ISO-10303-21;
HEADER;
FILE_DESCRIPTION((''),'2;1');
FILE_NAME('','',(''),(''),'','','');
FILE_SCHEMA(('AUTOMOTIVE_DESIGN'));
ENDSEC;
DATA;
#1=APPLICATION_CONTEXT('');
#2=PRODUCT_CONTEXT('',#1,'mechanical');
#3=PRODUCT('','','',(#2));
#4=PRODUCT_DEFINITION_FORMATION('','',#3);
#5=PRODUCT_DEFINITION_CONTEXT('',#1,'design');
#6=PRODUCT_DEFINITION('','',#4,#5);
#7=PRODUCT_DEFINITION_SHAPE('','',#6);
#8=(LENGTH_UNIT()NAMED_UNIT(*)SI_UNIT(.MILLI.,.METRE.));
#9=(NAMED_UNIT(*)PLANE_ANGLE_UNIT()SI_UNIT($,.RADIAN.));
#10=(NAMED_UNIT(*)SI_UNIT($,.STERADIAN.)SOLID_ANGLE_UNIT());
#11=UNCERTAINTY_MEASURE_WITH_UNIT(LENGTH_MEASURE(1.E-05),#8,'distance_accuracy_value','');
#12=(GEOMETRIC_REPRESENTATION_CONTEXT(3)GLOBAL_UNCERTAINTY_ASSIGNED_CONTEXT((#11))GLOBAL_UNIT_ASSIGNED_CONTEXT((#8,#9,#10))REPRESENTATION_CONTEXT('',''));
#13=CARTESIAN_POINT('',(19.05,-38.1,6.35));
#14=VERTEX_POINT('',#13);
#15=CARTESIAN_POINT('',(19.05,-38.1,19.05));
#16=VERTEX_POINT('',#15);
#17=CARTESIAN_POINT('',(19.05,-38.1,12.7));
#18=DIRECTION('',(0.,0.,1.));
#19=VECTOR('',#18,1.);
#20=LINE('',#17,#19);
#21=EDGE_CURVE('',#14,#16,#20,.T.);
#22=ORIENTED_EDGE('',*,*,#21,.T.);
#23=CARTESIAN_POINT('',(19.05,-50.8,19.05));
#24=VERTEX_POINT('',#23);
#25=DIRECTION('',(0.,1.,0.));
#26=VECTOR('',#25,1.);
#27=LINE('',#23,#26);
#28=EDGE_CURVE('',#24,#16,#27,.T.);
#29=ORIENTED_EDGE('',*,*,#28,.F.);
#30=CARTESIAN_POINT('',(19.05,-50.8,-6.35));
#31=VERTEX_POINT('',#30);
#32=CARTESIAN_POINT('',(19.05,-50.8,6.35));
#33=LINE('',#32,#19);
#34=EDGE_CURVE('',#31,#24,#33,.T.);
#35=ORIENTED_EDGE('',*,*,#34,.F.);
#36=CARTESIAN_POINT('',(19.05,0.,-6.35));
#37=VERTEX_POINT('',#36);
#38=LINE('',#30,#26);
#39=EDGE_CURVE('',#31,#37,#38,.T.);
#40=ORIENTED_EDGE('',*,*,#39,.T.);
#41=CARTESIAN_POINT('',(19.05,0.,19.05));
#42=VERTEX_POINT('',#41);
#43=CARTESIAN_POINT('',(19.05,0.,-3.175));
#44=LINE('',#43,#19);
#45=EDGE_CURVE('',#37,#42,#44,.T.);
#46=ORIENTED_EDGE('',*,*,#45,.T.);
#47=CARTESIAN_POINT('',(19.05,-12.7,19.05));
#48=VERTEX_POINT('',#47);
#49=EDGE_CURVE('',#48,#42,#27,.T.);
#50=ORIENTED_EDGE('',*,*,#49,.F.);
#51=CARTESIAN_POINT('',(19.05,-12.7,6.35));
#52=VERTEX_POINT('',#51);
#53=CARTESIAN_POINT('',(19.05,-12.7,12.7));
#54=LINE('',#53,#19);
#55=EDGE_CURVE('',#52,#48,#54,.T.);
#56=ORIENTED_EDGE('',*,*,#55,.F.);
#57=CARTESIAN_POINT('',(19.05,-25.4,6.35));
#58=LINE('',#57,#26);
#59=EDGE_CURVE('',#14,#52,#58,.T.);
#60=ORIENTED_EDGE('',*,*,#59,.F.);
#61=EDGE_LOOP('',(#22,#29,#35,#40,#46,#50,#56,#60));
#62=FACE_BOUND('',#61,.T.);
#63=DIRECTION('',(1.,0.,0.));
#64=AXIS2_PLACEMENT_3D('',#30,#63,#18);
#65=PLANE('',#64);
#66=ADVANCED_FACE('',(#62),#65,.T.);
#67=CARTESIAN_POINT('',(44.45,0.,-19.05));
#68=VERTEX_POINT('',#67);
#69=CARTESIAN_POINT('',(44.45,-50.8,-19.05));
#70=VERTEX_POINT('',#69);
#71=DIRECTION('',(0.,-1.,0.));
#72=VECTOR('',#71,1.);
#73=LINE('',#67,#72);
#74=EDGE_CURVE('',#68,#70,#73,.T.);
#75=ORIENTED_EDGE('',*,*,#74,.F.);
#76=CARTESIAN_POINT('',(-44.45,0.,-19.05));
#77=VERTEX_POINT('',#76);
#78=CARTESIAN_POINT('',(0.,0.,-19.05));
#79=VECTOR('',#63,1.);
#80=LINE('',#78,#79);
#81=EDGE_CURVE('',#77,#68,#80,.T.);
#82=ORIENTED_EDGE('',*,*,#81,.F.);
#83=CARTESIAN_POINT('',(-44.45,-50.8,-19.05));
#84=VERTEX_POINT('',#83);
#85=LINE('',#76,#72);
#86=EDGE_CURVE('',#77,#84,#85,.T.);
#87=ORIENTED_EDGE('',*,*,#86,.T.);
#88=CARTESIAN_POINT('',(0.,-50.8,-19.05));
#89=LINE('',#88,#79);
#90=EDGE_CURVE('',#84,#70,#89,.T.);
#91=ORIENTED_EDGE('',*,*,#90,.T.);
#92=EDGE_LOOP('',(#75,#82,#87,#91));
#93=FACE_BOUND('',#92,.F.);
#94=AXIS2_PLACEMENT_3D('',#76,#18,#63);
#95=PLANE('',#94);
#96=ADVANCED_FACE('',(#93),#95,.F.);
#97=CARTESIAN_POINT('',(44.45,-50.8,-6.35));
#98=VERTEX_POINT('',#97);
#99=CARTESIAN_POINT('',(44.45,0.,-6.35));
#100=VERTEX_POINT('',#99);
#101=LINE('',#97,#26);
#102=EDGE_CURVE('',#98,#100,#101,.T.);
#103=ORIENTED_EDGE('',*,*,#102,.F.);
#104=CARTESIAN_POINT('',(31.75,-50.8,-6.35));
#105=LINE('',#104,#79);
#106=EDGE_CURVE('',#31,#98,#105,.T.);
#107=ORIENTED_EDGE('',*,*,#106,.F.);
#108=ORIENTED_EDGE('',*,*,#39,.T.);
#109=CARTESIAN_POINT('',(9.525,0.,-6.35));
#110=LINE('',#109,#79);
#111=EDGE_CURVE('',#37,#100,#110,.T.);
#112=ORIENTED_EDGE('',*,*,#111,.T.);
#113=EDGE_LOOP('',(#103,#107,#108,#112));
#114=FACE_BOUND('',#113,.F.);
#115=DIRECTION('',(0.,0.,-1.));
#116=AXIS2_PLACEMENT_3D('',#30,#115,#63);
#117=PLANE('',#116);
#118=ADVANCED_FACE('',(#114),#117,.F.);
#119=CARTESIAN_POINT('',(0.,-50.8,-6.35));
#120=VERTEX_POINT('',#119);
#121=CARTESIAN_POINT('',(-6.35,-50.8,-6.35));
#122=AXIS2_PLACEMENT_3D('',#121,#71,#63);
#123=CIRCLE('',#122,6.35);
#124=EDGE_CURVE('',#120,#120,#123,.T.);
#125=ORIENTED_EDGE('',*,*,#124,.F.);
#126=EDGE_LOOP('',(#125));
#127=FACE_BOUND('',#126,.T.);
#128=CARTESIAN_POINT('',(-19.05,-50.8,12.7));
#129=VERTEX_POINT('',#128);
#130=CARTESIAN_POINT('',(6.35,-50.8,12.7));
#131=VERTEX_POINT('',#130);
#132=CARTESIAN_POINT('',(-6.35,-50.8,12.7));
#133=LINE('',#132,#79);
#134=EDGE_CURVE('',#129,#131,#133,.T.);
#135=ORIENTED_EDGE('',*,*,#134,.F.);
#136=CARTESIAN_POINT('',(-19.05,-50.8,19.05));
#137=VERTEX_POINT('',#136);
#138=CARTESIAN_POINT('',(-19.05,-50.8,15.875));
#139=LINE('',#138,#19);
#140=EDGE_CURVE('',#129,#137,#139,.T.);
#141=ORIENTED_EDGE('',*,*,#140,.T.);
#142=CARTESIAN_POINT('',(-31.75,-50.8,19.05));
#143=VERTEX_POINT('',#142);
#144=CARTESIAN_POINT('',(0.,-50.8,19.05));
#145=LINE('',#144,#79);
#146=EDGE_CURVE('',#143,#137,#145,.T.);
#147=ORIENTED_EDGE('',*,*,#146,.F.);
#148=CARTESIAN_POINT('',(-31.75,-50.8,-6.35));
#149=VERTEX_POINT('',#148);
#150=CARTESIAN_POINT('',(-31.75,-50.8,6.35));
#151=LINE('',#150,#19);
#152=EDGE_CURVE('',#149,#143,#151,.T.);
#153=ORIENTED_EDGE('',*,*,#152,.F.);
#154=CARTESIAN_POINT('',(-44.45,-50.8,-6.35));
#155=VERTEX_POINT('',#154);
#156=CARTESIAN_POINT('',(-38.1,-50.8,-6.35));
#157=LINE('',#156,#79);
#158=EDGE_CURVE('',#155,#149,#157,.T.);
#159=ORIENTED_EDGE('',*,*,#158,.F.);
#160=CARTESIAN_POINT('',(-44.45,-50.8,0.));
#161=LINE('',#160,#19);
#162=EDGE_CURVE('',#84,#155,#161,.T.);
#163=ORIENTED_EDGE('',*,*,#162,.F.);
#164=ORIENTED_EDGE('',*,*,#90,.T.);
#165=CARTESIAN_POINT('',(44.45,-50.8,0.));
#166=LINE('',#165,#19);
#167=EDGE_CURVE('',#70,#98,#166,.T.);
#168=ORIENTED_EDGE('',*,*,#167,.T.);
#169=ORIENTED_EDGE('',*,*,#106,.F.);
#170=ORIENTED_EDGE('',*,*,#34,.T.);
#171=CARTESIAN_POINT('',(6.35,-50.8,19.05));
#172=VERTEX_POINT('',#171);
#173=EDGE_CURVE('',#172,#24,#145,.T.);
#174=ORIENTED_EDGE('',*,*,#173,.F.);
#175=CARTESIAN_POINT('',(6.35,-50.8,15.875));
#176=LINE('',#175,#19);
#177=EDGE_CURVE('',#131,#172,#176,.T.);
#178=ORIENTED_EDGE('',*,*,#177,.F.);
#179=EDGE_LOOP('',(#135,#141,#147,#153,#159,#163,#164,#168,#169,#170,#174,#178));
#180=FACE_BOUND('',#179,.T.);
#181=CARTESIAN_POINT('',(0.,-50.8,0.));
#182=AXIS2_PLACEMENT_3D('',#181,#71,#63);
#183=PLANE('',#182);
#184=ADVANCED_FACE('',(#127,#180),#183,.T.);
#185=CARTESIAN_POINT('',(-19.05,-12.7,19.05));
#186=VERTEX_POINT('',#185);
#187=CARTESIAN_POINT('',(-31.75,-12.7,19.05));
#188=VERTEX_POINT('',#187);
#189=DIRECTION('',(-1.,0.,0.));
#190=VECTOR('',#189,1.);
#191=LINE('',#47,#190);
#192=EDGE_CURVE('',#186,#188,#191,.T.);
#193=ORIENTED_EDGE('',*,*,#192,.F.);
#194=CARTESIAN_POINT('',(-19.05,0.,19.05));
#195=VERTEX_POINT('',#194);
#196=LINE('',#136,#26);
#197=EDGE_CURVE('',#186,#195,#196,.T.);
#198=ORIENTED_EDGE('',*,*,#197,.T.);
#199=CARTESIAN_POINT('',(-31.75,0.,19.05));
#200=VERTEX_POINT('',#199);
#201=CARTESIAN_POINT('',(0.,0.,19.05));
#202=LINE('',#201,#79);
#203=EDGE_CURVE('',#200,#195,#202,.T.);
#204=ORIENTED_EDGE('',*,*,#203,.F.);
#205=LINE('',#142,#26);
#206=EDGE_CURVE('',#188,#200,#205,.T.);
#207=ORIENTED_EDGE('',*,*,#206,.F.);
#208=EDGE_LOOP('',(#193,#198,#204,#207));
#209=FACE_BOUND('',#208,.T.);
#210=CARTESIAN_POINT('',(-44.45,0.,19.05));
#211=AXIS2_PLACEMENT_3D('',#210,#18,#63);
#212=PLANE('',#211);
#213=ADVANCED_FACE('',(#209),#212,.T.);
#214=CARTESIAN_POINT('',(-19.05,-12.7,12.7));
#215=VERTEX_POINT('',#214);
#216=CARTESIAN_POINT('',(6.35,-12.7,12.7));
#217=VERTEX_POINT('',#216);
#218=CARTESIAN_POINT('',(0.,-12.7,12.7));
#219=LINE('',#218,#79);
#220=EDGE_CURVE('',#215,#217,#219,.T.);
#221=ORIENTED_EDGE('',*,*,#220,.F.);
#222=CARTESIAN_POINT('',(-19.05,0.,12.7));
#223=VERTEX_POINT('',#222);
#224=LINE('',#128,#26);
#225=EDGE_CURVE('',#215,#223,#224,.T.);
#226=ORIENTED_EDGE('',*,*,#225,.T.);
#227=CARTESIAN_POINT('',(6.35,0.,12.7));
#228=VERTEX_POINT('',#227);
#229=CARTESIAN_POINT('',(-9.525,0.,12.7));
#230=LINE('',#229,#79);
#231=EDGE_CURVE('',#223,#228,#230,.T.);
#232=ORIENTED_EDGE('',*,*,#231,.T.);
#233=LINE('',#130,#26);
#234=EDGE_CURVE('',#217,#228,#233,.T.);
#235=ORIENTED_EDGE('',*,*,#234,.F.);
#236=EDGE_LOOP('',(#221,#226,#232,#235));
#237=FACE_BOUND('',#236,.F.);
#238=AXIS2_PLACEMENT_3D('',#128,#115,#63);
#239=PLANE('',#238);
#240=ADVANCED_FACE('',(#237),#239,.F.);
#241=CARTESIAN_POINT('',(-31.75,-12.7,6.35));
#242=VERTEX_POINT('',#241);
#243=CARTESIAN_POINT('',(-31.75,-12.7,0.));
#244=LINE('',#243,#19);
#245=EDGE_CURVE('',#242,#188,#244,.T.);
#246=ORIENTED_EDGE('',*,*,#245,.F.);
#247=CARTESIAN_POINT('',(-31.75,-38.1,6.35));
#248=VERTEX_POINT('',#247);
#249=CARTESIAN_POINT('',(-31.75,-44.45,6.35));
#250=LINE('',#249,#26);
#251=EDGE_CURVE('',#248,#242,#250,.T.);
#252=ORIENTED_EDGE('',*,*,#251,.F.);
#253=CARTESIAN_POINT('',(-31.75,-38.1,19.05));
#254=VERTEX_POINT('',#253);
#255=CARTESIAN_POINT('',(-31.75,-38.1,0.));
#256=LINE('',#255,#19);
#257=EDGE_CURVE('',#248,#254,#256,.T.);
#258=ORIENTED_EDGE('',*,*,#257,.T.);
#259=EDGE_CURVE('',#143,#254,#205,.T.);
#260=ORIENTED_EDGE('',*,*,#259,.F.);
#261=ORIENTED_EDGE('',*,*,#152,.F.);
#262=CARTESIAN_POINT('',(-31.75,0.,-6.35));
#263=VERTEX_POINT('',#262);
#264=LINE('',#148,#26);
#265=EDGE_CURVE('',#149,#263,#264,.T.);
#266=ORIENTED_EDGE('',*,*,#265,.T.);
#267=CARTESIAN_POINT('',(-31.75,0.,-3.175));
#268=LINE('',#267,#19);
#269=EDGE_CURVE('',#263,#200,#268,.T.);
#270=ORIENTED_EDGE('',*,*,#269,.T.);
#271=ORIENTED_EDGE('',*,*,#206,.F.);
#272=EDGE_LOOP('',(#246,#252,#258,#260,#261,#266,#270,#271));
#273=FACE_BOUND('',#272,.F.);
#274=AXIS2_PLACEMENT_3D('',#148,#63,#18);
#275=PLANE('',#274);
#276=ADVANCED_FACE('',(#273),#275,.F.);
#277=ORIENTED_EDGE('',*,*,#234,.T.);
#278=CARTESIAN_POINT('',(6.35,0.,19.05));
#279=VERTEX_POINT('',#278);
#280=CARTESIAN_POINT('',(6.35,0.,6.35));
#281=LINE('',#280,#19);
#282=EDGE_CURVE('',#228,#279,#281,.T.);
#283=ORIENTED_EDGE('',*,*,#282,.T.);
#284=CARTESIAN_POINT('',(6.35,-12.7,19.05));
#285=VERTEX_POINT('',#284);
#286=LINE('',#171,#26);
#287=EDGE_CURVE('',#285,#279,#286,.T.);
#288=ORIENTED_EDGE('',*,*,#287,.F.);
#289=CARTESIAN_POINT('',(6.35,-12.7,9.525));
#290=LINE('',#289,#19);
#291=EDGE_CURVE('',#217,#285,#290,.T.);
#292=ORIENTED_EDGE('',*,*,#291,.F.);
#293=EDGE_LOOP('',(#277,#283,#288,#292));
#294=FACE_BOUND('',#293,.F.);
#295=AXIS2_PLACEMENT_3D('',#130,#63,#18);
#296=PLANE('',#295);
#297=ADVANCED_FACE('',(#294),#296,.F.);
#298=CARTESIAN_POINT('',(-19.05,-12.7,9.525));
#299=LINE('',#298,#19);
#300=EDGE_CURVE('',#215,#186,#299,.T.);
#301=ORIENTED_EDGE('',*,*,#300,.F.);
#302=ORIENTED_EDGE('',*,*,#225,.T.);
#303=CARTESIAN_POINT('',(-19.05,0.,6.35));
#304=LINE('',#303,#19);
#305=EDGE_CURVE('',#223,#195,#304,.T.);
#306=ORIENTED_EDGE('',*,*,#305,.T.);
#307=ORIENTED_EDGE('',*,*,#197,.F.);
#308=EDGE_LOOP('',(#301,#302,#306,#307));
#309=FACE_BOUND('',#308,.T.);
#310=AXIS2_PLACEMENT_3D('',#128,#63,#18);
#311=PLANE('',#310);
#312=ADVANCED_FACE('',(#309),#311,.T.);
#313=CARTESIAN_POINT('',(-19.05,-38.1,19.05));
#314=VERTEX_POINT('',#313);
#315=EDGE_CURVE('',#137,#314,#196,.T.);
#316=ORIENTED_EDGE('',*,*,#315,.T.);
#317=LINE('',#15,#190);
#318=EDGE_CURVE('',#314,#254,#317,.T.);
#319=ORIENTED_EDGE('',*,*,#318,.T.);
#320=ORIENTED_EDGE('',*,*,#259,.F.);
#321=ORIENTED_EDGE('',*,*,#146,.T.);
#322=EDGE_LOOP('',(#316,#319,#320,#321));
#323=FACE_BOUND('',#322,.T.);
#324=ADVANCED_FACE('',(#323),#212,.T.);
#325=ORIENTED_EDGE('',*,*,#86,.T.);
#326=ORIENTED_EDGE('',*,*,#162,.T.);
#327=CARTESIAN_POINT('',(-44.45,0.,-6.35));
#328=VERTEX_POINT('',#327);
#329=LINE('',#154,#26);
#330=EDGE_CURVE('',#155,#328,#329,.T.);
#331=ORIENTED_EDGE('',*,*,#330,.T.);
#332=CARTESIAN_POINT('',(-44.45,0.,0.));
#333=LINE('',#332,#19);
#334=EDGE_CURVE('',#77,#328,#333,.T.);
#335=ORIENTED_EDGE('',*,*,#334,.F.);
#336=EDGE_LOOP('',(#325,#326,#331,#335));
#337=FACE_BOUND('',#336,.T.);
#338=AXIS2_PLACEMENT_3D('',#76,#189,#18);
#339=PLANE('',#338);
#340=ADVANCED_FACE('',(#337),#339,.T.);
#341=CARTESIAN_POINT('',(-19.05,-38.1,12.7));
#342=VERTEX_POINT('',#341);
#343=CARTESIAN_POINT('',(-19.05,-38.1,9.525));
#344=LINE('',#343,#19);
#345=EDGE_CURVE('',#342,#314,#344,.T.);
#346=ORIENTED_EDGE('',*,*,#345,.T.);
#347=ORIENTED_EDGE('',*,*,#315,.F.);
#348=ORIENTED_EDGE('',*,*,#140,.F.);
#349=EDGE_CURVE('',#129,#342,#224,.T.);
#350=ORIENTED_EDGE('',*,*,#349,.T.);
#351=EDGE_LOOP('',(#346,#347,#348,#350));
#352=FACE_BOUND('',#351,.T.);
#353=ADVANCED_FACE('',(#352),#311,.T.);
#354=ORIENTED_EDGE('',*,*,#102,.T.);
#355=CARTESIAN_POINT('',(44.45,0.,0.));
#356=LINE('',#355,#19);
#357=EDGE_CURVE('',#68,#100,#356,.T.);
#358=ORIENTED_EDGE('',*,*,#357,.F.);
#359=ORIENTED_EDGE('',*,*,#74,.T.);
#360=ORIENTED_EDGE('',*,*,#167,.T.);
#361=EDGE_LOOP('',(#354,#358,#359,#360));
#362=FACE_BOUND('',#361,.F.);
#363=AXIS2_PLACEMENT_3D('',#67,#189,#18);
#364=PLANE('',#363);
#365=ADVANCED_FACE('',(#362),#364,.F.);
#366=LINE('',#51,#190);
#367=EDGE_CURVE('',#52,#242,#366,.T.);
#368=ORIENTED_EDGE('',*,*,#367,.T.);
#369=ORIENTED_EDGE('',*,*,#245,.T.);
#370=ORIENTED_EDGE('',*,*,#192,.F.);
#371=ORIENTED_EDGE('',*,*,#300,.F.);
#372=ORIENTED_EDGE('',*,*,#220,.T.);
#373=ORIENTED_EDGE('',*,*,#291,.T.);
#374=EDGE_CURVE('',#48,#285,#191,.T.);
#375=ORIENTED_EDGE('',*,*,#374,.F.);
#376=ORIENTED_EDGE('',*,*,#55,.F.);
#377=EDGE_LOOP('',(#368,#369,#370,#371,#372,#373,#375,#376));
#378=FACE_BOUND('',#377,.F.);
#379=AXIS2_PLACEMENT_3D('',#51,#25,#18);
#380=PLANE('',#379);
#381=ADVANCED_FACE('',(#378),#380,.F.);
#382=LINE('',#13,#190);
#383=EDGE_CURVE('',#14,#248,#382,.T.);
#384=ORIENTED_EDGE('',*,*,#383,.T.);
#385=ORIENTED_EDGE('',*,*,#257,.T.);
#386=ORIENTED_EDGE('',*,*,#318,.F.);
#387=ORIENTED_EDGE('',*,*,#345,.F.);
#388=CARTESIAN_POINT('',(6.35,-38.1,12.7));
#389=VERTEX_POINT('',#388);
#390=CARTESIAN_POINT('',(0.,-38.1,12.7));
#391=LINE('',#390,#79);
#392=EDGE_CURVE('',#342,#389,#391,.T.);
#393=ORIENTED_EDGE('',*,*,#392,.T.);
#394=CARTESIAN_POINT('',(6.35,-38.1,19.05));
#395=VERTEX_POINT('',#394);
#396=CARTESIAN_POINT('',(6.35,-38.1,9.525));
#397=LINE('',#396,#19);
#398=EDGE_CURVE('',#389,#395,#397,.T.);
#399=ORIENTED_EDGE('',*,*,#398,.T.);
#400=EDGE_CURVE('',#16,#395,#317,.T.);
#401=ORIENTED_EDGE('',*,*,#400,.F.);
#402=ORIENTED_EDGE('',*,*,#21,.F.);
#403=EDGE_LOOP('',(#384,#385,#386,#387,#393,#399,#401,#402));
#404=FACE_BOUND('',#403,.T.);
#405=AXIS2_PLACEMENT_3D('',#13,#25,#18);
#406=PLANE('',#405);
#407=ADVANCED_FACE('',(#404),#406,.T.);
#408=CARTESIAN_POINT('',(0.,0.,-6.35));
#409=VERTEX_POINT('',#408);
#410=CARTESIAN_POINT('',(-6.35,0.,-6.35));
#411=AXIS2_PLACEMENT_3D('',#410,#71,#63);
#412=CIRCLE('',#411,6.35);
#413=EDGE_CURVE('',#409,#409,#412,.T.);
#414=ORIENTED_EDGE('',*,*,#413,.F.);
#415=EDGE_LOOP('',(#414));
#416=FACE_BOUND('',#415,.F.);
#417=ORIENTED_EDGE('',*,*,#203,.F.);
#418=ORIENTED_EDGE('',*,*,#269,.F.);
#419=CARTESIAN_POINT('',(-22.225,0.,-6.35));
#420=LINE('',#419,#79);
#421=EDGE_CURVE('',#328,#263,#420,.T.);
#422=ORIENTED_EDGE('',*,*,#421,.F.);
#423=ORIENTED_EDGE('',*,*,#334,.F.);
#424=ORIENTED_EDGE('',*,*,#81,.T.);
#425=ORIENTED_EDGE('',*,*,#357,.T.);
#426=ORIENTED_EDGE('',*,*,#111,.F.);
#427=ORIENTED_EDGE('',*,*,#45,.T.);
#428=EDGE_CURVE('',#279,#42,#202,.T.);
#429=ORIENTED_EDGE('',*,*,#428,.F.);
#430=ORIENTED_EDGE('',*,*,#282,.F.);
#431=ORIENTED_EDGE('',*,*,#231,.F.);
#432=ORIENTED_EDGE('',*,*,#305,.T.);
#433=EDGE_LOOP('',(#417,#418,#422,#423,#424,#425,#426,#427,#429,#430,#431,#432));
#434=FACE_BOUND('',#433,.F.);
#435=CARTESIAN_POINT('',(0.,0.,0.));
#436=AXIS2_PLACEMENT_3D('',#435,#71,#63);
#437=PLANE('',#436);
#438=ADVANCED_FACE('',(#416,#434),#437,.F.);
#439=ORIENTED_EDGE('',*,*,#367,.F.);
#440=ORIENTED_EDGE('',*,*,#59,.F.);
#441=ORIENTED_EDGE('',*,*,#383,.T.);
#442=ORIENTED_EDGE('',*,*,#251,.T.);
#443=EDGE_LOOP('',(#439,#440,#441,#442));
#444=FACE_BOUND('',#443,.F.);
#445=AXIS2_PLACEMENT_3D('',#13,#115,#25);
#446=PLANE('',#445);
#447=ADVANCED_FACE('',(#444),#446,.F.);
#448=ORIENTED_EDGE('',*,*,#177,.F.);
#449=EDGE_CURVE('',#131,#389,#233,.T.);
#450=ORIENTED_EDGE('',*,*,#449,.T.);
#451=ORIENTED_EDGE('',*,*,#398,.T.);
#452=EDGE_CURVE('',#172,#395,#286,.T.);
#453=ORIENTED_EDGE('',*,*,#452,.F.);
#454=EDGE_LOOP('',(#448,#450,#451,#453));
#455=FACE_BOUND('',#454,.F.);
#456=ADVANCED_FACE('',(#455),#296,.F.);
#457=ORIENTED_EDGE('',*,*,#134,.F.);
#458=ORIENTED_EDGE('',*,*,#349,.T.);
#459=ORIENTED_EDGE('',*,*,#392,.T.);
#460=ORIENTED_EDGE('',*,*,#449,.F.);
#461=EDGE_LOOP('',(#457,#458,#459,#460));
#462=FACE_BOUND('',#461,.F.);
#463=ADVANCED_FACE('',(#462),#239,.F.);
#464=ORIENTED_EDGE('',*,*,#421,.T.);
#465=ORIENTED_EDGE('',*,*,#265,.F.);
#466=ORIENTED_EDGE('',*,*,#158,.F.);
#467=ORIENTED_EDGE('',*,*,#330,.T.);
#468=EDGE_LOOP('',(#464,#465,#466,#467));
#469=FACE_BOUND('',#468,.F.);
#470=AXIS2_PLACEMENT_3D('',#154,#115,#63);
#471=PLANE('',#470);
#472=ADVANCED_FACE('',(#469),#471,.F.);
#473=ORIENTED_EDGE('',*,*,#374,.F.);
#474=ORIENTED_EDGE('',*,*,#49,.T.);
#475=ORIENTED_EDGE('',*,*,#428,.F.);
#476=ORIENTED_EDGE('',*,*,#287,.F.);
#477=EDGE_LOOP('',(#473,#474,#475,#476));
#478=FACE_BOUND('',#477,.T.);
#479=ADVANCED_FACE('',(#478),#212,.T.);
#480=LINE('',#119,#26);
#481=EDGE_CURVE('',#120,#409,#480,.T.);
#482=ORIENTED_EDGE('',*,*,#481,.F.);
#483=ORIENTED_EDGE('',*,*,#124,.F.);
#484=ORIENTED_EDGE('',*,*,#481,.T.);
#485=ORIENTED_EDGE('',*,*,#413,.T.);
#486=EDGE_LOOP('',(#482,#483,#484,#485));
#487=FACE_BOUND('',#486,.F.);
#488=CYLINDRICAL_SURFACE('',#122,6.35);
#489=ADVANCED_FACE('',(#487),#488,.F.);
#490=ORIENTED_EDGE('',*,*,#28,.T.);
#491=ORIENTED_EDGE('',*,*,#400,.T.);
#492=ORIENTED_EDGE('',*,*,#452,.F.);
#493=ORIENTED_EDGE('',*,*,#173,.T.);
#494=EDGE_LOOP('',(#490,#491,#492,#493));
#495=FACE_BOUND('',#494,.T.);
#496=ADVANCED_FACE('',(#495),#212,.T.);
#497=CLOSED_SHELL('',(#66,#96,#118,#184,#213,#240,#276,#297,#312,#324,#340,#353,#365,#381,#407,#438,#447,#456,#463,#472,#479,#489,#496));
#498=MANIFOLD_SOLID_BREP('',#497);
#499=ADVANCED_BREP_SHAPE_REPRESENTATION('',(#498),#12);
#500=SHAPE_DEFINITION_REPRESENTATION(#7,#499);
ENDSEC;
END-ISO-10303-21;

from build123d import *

# Parameters (mm, degrees)
F0_W      = 88.9
F0_H      = 38.1
F1_DEPTH  = 50.8
F2_W      = 12.7
F2_H      = 25.4
F3_DEPTH  = 50.801
F4_W      = 25.4
F4_H      = 25.4
F5_DEPTH  = 50.801
F6_W      = 25.4
F6_H      = 6.35
F7_DEPTH  = 50.801
F8_R      = 6.35
F9_DEPTH  = 50.801
F10_W     = 25.4
F10_H     = 12.7
F11_DEPTH = 63.501


with BuildPart() as f1:
    # F0 (on Front) → F1 (new body)
    with BuildSketch(Plane.XZ):
        Rectangle(F0_W, F0_H)
    extrude(amount=F1_DEPTH)

    # F2 (on face) → F3 (cut, through all)
    with BuildSketch(Plane.XZ.offset(50.8)):
        with Locations((-38.1, 6.35)):
            Rectangle(F2_W, F2_H)
    extrude(amount=-F3_DEPTH, mode=Mode.SUBTRACT)

    # F4 (on face) → F5 (cut, through all)
    with BuildSketch(Plane.XZ.offset(50.8)):
        with Locations((31.75, 6.35)):
            Rectangle(F4_W, F4_H)
    extrude(amount=-F5_DEPTH, mode=Mode.SUBTRACT)

    # F6 (on face) → F7 (cut, through all)
    with BuildSketch(Plane.XZ.offset(50.8)):
        with Locations((-6.35, 15.875)):
            Rectangle(F6_W, F6_H)
    extrude(amount=-F7_DEPTH, mode=Mode.SUBTRACT)

    # F8 (on face) → F9 (cut, through all)
    with BuildSketch(Plane.XZ.offset(50.8)):
        with Locations((-6.35, -6.35)):
            Circle(F8_R)
    extrude(amount=-F9_DEPTH, mode=Mode.SUBTRACT)

    # F10 (on face) → F11 (cut, through all)
    with BuildSketch(Plane.YZ.offset(19.05)):
        with Locations((-25.4, 12.7)):
            Rectangle(F10_W, F10_H)
    extrude(amount=-F11_DEPTH, mode=Mode.SUBTRACT)


solid = f1.part
